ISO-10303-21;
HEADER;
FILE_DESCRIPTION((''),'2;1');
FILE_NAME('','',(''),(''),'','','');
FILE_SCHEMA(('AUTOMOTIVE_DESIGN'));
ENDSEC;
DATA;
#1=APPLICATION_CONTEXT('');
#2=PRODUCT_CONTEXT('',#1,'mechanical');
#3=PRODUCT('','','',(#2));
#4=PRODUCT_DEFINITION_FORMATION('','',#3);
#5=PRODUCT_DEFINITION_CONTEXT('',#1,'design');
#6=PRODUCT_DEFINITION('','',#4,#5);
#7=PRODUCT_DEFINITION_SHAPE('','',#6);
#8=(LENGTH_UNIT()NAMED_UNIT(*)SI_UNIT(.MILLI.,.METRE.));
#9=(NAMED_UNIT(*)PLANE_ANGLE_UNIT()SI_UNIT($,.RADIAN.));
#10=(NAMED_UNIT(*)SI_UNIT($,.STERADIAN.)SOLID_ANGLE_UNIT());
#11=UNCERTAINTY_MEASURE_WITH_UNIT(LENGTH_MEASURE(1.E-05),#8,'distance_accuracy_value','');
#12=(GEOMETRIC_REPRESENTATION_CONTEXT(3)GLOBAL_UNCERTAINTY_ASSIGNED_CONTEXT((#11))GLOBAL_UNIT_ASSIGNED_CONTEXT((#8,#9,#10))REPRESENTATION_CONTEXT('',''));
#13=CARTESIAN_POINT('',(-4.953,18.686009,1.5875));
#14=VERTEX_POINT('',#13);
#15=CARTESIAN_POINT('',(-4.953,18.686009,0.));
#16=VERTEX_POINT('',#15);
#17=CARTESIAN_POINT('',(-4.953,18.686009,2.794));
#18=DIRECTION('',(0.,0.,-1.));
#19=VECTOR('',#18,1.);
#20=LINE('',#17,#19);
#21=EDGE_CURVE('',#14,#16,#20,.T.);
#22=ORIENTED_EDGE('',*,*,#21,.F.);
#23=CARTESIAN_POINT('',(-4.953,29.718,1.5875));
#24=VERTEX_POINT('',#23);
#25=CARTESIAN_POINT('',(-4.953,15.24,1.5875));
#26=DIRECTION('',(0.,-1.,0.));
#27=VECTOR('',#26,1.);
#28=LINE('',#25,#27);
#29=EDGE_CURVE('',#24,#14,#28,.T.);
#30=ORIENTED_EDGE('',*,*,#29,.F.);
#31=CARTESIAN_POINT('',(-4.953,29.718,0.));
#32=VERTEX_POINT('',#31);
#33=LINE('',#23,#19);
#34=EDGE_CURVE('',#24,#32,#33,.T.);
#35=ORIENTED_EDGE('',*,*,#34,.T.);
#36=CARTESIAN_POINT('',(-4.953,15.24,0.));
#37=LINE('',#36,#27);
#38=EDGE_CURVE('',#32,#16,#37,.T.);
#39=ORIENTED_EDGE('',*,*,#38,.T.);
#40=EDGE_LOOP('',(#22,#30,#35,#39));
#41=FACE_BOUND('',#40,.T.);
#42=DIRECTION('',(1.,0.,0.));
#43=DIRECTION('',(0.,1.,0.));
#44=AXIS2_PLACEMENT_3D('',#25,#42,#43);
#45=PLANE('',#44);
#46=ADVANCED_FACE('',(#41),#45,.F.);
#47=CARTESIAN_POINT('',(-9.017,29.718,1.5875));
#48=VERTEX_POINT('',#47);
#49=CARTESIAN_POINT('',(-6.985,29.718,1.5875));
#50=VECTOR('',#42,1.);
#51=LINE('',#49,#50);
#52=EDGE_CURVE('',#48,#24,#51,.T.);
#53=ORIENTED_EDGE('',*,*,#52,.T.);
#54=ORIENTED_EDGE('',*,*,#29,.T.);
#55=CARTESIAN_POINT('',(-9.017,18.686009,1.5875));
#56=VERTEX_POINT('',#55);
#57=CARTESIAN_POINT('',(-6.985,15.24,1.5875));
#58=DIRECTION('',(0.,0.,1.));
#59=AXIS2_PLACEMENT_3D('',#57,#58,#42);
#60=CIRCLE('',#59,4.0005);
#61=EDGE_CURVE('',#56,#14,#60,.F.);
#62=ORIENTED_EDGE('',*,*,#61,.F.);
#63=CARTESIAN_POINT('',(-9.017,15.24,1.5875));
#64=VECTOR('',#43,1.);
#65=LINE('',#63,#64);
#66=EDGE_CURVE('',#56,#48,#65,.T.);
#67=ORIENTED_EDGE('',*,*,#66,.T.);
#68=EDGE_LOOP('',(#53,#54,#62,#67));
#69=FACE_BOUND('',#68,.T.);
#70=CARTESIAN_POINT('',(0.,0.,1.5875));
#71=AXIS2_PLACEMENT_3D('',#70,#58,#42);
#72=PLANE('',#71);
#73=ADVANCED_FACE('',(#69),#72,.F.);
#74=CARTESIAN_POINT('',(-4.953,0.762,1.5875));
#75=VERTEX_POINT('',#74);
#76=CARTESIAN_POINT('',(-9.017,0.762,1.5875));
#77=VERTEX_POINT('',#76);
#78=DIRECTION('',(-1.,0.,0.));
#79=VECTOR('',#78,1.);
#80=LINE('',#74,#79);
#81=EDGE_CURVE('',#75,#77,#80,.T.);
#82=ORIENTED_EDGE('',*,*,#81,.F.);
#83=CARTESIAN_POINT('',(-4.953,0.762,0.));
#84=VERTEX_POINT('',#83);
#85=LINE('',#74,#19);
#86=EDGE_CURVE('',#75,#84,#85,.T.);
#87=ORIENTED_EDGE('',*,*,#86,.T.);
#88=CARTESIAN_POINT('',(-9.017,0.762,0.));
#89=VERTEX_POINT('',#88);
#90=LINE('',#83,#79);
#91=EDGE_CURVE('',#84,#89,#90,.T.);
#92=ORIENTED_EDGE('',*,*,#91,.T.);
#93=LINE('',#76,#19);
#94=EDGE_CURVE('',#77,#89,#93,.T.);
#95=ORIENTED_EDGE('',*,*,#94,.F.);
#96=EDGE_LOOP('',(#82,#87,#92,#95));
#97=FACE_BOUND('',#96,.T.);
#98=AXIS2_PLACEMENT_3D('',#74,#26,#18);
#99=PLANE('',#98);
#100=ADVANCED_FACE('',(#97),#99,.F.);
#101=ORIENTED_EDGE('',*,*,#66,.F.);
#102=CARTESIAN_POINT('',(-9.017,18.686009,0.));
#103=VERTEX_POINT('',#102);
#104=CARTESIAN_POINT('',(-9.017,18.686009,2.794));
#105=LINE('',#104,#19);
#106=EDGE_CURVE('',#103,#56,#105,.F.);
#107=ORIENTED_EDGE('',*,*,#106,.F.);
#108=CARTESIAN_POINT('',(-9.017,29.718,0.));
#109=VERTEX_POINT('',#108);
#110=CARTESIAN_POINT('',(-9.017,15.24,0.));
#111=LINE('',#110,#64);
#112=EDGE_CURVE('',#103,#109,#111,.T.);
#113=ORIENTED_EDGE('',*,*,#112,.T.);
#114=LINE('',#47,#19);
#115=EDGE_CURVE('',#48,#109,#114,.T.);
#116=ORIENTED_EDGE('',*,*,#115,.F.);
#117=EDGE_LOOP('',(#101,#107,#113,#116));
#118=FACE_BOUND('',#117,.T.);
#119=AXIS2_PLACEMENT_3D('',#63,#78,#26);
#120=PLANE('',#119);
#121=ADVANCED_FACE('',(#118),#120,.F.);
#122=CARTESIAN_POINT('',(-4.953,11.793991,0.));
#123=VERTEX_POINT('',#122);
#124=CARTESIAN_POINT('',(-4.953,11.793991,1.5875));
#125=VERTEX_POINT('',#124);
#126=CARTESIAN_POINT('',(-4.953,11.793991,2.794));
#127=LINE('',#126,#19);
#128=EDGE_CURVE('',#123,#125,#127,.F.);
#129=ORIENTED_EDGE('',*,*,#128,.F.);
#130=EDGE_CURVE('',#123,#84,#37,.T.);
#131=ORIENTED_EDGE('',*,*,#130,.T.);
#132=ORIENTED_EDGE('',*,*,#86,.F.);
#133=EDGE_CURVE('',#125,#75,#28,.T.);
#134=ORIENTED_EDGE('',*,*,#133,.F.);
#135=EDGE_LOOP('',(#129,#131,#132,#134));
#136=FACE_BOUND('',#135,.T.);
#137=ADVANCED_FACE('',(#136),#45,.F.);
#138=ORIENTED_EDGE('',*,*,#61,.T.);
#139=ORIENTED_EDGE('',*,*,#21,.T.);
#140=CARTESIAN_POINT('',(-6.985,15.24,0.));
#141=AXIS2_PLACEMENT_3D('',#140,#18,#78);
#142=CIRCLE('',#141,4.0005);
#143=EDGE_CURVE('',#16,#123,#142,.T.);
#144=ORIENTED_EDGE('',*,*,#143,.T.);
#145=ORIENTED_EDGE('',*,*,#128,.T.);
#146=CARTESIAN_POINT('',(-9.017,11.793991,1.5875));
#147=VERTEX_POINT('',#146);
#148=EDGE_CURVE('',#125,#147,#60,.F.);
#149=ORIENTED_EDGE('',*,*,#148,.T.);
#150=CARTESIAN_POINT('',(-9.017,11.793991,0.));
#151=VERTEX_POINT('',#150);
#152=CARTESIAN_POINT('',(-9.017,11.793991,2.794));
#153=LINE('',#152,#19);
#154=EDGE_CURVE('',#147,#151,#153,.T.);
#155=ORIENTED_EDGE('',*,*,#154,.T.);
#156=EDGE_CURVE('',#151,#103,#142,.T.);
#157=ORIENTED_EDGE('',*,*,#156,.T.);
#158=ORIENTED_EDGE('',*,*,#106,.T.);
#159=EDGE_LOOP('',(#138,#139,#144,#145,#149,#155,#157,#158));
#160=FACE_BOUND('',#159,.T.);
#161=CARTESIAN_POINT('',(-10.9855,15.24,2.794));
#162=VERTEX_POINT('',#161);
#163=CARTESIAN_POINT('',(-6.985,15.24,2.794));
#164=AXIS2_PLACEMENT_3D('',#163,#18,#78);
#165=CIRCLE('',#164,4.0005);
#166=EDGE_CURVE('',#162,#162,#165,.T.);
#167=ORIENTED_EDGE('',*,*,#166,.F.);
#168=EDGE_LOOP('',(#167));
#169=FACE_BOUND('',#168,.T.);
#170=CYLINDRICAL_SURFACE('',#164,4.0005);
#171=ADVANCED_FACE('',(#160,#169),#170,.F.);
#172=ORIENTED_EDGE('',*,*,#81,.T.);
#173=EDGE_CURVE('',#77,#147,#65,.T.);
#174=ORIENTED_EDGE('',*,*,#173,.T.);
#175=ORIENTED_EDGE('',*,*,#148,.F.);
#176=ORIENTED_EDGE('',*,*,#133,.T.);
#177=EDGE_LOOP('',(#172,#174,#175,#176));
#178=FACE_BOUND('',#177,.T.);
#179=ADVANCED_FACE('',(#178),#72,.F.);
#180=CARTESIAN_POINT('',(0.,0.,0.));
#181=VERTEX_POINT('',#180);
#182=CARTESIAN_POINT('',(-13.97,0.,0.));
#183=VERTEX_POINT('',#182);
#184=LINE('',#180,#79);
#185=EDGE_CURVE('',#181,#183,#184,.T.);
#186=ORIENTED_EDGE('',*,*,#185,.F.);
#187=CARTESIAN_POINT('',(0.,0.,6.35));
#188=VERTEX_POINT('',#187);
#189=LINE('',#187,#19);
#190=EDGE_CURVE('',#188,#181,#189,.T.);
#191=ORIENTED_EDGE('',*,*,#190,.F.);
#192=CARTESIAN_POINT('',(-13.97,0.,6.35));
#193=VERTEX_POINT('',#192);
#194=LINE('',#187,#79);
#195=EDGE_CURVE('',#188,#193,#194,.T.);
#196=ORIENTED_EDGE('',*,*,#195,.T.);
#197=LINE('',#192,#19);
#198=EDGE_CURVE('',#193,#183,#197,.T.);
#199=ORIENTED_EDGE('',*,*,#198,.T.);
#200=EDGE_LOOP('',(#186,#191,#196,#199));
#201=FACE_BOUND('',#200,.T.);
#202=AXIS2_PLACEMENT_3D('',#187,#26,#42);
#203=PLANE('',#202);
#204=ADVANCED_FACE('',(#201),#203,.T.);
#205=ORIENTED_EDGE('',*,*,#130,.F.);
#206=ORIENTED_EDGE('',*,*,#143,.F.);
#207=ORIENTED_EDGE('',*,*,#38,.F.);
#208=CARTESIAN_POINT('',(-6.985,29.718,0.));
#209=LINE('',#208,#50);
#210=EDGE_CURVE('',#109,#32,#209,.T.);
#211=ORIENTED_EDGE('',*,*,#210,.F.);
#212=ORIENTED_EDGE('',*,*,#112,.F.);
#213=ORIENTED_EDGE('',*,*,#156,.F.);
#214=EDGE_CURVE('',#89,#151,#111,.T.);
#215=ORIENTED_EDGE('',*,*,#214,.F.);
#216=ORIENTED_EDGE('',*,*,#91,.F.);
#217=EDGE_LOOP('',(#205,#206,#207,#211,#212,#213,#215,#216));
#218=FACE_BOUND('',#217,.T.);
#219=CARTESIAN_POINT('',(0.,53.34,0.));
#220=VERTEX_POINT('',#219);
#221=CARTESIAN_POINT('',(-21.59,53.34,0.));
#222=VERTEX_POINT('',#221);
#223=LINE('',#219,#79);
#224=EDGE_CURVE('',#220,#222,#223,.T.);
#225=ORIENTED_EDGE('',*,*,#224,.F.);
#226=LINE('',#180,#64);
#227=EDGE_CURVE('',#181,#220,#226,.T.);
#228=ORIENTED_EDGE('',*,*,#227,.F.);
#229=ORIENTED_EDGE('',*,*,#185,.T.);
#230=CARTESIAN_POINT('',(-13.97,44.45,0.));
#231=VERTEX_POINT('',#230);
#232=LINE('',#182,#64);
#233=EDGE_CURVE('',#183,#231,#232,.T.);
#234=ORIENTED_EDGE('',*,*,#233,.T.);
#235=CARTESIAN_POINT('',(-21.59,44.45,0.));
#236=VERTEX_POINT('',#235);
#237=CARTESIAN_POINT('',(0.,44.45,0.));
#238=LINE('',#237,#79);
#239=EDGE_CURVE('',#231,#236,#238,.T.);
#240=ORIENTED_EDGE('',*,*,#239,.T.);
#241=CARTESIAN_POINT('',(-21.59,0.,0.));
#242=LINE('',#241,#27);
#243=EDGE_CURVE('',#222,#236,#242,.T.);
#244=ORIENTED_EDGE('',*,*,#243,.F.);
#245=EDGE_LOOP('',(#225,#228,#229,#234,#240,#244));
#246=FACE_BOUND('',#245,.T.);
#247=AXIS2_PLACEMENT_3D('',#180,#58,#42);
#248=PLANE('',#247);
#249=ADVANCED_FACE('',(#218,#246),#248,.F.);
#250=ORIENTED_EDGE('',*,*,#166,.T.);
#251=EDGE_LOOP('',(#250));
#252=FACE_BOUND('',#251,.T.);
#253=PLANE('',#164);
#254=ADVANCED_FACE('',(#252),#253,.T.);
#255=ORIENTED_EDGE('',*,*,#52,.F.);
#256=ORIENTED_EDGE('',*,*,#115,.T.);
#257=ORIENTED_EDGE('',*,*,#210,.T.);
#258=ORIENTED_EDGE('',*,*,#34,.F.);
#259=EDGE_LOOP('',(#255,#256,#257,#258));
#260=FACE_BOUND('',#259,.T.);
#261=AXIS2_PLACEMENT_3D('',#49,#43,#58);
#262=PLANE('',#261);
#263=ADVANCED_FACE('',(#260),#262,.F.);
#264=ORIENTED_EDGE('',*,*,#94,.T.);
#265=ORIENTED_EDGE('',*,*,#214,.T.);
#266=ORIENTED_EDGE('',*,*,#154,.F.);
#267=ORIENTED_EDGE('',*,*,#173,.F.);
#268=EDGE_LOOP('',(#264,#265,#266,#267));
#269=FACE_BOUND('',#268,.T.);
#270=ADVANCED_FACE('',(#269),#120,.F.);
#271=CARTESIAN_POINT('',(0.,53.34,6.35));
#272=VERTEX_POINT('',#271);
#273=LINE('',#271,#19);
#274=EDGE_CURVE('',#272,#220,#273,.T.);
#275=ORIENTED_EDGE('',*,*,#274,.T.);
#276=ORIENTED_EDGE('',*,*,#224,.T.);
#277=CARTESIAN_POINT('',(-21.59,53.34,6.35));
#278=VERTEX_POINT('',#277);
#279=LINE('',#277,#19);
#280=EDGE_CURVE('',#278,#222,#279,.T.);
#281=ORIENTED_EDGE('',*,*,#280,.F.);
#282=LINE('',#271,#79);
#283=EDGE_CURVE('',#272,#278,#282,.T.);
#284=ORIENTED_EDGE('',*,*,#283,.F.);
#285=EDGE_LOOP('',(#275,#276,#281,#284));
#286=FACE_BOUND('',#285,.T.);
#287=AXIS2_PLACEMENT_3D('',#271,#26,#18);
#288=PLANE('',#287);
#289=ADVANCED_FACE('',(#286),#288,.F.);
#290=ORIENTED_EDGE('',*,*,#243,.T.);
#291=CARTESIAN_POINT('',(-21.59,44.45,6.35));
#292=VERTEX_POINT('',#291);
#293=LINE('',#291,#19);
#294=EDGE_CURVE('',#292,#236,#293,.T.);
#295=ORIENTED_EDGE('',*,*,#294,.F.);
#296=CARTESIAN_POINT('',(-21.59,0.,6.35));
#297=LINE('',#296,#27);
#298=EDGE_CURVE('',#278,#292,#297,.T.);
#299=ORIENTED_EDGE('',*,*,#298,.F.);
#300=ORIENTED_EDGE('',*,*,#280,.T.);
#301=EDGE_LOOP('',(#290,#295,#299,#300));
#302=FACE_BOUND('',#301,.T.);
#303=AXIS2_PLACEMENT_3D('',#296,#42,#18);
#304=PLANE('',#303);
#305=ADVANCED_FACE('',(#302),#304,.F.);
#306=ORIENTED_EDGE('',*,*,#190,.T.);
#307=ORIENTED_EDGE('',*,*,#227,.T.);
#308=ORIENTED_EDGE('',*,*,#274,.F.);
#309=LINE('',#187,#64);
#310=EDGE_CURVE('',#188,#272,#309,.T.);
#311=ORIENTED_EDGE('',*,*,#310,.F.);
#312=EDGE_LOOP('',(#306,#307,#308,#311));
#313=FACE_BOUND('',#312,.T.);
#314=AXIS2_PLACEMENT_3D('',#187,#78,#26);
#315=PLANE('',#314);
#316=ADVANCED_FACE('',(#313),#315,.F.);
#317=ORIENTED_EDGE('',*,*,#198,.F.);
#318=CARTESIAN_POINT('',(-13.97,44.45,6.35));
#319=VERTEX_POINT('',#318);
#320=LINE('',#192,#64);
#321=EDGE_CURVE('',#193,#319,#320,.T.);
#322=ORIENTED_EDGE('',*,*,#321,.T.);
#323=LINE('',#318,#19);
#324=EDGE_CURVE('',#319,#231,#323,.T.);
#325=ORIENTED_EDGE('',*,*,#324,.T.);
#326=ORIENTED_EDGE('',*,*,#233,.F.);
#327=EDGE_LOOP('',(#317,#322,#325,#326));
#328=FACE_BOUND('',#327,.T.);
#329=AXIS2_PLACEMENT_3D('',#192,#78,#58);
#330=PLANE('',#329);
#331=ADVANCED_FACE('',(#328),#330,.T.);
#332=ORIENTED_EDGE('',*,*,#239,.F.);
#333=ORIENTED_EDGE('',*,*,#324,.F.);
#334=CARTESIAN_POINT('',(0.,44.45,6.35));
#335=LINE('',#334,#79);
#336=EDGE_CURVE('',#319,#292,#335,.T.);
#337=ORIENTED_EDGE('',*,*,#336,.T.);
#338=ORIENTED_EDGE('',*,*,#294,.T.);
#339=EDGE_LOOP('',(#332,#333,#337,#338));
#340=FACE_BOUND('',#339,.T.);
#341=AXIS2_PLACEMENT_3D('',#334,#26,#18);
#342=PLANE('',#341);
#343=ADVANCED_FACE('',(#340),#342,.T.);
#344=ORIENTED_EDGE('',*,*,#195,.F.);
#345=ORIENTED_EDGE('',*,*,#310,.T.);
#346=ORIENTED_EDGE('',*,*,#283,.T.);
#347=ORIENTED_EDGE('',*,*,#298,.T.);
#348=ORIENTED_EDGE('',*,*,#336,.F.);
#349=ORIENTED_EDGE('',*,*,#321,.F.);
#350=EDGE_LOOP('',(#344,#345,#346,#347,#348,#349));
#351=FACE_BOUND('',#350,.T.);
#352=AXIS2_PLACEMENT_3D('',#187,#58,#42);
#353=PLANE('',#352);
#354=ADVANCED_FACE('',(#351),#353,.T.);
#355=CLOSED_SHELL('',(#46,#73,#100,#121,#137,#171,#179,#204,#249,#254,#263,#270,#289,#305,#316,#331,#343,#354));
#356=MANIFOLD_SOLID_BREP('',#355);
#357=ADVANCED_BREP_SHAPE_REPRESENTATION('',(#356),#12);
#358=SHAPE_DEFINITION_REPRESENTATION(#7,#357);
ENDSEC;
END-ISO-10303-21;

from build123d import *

# Parameters (mm, degrees)
SKETCH2_W           = 7.62
SKETCH2_H           = 8.89
SKETCH2_W_2         = 13.97
SKETCH2_H_2         = 44.45
BOSS_EXTRUDE1_DEPTH = 6.35
SKETCH3_R           = 4.0005
CUT_EXTRUDE1_DEPTH  = 2.794
CUT_EXTRUDE2_DEPTH  = 1.5875


with BuildPart() as part:
    # Sketch2 → Boss-Extrude1 (new body)
    with BuildSketch(Plane.XY):
        with Locations((-17.78, 48.895)):
            Rectangle(SKETCH2_W, SKETCH2_H)
        with Locations((-6.985, 48.895)):
            Rectangle(SKETCH2_W_2, SKETCH2_H)
        with Locations((-6.985, 22.225)):
            Rectangle(SKETCH2_W_2, SKETCH2_H_2)
    extrude(amount=BOSS_EXTRUDE1_DEPTH)

    # Sketch3 → Cut-Extrude1 (cut)
    with BuildSketch(Plane(origin=(0, 0, 0), x_dir=(-1, 0, 0), z_dir=(0, 0, -1))):
        with Locations((6.985, 15.24)):
            Circle(SKETCH3_R)
    extrude(amount=-CUT_EXTRUDE1_DEPTH, mode=Mode.SUBTRACT)

    # Sketch4 → Cut-Extrude2 (cut)
    with BuildSketch(Plane(origin=(0, 0, 0), x_dir=(-1, 0, 0), z_dir=(0, 0, -1))):
        Polygon((6.985, 29.718), (9.017, 29.718), (9.017, 15.24), (9.017, 0.762), (4.953, 0.762), (4.953, 15.24), (4.953, 29.718), align=None)
    extrude(amount=-CUT_EXTRUDE2_DEPTH, mode=Mode.SUBTRACT)


solid = part.part
